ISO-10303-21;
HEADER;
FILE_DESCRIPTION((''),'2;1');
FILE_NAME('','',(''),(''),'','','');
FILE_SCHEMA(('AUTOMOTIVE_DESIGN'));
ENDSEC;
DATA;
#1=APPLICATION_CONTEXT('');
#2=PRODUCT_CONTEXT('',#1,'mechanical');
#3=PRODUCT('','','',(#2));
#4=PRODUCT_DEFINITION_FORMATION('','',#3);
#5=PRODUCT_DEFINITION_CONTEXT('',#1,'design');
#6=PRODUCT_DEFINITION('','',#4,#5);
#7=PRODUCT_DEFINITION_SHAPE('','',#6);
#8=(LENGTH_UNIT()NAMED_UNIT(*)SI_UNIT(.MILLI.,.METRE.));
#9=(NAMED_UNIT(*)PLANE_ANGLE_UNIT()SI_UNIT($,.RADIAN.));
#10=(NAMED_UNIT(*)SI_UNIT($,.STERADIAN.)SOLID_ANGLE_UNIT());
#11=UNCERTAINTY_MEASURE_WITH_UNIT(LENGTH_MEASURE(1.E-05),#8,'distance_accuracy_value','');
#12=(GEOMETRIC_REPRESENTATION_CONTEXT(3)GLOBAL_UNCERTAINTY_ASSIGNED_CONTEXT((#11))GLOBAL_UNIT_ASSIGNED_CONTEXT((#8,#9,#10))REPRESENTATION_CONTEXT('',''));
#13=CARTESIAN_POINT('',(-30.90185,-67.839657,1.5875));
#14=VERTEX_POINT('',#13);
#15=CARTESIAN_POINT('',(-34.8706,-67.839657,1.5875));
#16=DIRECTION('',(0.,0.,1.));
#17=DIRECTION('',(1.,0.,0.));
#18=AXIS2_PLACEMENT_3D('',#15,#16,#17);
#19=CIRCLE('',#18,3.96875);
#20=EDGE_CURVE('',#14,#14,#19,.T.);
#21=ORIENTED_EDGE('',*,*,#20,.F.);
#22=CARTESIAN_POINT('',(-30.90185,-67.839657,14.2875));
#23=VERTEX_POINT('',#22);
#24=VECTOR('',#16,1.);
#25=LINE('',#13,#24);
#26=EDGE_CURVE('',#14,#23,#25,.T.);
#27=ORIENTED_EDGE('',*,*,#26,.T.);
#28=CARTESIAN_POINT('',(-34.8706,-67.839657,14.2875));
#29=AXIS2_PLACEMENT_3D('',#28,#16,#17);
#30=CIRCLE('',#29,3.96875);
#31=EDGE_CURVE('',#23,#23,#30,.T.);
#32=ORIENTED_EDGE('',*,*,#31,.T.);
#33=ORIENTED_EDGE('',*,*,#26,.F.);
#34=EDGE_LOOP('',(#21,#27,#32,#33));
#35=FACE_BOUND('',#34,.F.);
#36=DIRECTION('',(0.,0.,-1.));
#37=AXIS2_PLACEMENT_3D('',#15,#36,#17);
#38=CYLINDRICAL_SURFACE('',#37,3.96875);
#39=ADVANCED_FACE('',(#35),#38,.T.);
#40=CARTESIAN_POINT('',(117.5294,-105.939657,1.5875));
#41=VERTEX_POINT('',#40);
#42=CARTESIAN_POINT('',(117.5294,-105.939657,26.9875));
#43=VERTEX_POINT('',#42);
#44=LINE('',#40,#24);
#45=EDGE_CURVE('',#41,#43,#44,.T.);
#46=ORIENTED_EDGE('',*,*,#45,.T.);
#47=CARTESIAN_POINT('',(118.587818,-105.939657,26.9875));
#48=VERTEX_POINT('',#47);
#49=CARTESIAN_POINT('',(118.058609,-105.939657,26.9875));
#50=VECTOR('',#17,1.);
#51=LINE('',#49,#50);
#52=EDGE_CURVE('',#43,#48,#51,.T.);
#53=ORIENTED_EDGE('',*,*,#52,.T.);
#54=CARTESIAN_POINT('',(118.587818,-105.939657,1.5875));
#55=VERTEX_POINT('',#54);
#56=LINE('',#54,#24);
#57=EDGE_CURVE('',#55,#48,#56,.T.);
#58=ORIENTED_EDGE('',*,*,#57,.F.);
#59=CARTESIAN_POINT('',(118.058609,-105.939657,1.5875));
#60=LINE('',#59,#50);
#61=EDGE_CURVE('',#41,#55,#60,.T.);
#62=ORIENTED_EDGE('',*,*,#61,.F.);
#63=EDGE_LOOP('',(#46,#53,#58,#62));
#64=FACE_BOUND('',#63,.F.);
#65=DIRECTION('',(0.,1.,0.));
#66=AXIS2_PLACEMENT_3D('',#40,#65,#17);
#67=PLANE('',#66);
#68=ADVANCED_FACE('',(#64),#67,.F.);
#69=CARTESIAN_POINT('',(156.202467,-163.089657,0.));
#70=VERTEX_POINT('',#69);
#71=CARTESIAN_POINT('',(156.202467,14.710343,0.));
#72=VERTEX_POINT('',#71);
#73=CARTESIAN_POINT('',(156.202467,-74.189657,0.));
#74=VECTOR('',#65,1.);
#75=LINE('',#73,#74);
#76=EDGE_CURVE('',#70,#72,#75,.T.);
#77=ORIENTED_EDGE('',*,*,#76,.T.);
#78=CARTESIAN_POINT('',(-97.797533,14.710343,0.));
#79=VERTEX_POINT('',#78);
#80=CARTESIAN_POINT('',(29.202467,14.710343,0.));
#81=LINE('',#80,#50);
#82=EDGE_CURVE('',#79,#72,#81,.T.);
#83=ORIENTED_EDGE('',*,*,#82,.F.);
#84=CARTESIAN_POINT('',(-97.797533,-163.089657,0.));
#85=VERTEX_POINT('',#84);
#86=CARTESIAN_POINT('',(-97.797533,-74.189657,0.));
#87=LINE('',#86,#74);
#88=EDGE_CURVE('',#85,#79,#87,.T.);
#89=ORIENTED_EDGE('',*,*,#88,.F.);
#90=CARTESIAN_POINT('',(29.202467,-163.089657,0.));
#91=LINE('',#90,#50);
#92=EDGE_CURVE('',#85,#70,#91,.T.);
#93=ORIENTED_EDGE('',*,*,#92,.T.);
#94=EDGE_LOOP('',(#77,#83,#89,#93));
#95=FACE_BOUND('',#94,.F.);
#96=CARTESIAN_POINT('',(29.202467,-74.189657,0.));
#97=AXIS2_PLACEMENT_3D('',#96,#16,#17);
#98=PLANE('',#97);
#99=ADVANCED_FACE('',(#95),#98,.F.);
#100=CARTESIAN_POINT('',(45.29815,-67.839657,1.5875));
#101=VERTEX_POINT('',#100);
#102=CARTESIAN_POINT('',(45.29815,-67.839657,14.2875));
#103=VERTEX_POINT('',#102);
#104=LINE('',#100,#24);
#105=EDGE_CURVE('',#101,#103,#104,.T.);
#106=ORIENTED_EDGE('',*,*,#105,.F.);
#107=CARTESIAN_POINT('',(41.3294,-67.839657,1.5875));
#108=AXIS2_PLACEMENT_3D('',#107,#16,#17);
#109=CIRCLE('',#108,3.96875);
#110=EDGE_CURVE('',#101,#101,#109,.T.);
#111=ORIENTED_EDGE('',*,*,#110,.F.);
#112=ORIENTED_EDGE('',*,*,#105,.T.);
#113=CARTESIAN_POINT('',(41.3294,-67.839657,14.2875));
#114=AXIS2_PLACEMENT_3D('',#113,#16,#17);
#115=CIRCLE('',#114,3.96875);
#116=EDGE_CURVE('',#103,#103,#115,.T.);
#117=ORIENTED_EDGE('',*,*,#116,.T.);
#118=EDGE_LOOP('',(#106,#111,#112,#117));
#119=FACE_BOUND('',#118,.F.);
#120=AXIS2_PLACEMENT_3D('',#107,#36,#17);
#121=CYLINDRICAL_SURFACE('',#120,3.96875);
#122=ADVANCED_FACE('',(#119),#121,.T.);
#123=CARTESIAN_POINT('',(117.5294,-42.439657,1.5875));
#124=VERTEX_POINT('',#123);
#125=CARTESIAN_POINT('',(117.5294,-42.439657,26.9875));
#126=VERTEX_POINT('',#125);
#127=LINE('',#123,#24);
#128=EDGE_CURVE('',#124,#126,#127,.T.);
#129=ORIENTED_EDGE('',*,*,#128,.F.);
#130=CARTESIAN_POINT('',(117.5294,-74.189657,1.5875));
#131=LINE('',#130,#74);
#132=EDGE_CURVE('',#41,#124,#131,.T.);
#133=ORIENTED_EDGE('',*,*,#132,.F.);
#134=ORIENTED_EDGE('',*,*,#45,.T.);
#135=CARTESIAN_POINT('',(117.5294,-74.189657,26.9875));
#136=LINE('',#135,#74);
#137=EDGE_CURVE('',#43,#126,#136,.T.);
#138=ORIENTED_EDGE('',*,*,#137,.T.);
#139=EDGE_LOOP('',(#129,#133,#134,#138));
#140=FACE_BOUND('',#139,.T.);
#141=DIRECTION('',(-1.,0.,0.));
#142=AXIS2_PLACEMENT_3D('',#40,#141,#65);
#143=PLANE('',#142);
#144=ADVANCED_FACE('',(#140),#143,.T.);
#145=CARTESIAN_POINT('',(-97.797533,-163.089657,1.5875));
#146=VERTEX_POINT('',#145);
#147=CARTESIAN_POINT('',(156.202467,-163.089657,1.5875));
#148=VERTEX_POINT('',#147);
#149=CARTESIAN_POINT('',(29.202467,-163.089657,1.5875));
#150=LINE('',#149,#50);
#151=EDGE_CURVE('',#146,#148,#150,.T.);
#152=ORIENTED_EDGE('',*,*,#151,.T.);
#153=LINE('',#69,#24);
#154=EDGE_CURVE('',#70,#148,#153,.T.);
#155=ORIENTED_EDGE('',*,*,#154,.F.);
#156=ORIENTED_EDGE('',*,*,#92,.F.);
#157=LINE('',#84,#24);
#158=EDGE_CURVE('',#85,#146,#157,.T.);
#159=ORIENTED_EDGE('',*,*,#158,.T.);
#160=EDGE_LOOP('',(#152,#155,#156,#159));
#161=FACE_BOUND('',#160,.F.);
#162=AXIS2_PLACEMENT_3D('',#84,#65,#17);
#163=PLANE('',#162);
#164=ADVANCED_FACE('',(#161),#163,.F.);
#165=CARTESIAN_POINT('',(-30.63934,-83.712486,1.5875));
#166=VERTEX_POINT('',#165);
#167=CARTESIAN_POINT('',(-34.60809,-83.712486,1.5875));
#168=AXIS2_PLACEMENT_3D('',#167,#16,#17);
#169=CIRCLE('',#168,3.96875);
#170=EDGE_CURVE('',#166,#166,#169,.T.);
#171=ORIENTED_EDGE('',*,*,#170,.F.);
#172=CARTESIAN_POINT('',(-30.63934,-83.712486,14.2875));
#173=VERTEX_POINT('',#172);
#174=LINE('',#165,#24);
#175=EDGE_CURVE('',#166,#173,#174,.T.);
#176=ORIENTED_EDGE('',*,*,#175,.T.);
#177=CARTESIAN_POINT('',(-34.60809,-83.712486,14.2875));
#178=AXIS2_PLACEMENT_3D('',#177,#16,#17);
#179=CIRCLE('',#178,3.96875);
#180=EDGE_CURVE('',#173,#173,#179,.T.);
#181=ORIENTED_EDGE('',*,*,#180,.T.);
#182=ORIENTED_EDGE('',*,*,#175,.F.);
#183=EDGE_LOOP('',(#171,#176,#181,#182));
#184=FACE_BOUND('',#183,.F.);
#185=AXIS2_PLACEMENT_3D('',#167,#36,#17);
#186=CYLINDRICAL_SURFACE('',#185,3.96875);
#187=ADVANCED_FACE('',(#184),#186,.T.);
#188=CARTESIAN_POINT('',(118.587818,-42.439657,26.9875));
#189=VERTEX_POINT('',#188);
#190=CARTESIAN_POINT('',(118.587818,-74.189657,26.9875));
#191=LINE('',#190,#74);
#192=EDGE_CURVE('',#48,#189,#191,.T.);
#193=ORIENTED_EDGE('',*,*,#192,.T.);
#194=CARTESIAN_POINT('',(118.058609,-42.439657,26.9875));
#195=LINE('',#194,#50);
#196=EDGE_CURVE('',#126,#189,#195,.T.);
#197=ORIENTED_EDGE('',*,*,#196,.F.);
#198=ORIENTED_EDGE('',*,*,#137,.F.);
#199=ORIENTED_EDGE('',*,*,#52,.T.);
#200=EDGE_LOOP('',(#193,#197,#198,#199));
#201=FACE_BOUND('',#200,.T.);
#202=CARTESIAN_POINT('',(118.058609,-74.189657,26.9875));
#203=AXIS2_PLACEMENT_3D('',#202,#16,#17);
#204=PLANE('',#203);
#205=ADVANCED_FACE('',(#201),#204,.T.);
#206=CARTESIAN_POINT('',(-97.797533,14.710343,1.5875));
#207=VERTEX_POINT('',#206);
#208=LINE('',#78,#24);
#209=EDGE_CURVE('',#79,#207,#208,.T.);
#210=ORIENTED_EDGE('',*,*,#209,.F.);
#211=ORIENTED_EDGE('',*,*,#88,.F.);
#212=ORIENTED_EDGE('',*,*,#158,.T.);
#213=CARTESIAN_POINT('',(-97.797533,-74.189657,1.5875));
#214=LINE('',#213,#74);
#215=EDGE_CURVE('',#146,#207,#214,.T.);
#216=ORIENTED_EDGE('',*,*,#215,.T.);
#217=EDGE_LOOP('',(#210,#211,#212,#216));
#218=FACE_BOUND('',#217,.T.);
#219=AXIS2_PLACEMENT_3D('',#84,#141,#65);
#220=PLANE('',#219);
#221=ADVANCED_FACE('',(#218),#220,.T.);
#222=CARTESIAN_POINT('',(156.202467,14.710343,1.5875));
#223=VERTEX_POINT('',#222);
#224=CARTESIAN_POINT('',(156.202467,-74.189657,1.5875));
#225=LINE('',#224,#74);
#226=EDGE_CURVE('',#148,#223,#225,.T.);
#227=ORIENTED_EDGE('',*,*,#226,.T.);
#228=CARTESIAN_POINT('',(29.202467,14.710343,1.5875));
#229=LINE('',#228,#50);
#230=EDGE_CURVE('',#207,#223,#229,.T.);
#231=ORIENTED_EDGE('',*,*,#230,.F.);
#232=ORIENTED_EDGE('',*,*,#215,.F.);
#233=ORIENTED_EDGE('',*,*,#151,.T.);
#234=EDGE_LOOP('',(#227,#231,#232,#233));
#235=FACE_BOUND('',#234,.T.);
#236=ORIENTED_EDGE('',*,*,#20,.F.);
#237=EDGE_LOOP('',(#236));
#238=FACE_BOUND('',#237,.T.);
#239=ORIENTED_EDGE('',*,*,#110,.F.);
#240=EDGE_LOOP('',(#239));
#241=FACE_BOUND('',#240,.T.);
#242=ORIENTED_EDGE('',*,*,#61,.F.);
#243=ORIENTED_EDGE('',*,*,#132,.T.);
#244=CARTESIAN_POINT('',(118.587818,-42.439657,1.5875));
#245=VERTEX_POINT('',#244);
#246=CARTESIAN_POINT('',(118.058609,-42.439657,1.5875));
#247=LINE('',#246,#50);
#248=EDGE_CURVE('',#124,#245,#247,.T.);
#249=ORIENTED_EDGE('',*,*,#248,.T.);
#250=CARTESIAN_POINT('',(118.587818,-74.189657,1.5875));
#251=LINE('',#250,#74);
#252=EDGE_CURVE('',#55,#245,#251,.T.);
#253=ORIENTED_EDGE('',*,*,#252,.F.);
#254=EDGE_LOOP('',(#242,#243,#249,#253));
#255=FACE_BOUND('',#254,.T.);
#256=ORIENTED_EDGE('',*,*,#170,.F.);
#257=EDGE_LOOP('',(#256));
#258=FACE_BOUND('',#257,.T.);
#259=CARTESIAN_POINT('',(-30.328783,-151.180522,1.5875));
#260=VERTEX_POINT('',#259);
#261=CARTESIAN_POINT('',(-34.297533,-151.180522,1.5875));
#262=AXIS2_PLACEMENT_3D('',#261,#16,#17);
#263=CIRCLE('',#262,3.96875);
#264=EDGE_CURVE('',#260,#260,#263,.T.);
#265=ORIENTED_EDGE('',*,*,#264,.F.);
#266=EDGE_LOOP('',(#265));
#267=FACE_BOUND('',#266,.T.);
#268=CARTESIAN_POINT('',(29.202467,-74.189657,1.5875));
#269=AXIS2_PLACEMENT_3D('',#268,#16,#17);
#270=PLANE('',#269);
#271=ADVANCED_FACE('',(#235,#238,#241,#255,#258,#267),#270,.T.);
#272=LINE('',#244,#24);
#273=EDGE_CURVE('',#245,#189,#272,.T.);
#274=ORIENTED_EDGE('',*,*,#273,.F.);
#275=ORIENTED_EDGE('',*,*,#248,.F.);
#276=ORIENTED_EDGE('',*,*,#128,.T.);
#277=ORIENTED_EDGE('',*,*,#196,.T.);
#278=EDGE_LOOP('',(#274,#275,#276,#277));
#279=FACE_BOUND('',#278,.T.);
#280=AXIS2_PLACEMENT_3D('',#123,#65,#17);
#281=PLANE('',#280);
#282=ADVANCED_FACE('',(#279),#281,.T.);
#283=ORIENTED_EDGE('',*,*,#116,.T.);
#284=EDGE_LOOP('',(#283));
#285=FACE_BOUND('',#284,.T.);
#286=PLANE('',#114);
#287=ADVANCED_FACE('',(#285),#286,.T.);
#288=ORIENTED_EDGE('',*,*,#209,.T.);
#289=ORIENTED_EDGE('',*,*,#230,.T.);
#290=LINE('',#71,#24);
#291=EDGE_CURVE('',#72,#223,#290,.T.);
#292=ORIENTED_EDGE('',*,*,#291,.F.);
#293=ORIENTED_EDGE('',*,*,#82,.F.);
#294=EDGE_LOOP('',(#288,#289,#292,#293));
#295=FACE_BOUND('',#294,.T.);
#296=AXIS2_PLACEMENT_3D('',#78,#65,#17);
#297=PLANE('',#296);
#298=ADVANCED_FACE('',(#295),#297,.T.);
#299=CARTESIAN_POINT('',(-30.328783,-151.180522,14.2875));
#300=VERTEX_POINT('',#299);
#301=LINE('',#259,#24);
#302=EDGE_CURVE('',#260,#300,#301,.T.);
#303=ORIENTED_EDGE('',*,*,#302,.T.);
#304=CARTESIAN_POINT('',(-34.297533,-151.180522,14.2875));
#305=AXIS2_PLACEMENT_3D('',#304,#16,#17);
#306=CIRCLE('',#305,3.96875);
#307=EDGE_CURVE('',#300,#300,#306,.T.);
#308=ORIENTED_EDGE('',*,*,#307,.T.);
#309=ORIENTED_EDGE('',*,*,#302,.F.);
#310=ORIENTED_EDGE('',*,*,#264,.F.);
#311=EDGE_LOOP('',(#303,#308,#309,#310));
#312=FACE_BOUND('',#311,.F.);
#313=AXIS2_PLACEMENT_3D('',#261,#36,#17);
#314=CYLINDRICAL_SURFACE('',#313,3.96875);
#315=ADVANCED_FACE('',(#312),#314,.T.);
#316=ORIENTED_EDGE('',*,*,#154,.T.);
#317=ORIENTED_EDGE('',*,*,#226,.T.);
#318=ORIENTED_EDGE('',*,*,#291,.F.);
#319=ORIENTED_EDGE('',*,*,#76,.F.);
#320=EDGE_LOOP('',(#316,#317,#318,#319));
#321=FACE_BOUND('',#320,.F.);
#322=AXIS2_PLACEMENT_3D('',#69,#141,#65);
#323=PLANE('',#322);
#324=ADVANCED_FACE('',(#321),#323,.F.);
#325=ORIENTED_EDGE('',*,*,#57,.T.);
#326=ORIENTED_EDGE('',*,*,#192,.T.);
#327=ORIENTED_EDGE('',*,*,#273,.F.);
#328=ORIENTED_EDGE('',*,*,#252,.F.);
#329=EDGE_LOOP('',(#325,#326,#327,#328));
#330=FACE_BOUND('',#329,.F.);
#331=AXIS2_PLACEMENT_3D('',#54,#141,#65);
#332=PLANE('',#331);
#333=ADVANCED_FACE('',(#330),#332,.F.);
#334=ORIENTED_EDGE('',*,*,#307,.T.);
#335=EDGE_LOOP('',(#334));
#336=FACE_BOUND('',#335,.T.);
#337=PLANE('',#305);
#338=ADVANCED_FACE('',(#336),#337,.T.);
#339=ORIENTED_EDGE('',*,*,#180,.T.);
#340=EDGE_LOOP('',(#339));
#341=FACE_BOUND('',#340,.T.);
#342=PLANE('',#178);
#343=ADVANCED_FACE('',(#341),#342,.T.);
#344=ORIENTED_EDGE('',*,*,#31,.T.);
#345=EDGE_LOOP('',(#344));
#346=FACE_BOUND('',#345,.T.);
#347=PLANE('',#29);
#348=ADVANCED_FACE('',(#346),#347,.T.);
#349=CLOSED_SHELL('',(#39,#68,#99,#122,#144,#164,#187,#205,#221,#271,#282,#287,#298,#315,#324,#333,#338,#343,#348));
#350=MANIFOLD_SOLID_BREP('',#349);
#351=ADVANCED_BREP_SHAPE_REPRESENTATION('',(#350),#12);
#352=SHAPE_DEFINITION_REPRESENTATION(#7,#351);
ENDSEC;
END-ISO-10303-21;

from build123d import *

# Parameters (mm, degrees)
F0_W     = 254
F0_H     = 177.8
F1_DEPTH = 1.5875
F2_W     = 1.058418
F2_H     = 63.5
F3_DEPTH = 25.4
F4_R     = 3.96875
F5_DEPTH = 12.7
F6_R     = 3.96875
F7_DEPTH = 12.7


with BuildPart() as f1:
    # F0 (on Top) → F1 (new body)
    with BuildSketch(Plane.XY):
        with Locations((29.202467, -74.189657)):
            Rectangle(F0_W, F0_H)
    extrude(amount=F1_DEPTH)

    # F2 (on face) → F3 (join)
    with BuildSketch(Plane.XY.offset(1.5875)):
        with Locations((118.058609, -74.189657)):
            Rectangle(F2_W, F2_H)
    extrude(amount=F3_DEPTH)

    # F4 (on face) → F5 (join)
    with BuildSketch(Plane.XY.offset(1.5875)):
        with Locations((-34.60809, -83.712486)):
            Circle(F4_R)
        with Locations((-34.8706, -67.839657)):
            Circle(F4_R)
    extrude(amount=F5_DEPTH)

    # F6 (on face) → F7 (join)
    with BuildSketch(Plane.XY.offset(1.5875)):
        with Locations((41.3294, -67.839657)):
            Circle(F6_R)
        with Locations((-34.297533, -151.180522)):
            Circle(F6_R)
    extrude(amount=F7_DEPTH)


solid = f1.part
